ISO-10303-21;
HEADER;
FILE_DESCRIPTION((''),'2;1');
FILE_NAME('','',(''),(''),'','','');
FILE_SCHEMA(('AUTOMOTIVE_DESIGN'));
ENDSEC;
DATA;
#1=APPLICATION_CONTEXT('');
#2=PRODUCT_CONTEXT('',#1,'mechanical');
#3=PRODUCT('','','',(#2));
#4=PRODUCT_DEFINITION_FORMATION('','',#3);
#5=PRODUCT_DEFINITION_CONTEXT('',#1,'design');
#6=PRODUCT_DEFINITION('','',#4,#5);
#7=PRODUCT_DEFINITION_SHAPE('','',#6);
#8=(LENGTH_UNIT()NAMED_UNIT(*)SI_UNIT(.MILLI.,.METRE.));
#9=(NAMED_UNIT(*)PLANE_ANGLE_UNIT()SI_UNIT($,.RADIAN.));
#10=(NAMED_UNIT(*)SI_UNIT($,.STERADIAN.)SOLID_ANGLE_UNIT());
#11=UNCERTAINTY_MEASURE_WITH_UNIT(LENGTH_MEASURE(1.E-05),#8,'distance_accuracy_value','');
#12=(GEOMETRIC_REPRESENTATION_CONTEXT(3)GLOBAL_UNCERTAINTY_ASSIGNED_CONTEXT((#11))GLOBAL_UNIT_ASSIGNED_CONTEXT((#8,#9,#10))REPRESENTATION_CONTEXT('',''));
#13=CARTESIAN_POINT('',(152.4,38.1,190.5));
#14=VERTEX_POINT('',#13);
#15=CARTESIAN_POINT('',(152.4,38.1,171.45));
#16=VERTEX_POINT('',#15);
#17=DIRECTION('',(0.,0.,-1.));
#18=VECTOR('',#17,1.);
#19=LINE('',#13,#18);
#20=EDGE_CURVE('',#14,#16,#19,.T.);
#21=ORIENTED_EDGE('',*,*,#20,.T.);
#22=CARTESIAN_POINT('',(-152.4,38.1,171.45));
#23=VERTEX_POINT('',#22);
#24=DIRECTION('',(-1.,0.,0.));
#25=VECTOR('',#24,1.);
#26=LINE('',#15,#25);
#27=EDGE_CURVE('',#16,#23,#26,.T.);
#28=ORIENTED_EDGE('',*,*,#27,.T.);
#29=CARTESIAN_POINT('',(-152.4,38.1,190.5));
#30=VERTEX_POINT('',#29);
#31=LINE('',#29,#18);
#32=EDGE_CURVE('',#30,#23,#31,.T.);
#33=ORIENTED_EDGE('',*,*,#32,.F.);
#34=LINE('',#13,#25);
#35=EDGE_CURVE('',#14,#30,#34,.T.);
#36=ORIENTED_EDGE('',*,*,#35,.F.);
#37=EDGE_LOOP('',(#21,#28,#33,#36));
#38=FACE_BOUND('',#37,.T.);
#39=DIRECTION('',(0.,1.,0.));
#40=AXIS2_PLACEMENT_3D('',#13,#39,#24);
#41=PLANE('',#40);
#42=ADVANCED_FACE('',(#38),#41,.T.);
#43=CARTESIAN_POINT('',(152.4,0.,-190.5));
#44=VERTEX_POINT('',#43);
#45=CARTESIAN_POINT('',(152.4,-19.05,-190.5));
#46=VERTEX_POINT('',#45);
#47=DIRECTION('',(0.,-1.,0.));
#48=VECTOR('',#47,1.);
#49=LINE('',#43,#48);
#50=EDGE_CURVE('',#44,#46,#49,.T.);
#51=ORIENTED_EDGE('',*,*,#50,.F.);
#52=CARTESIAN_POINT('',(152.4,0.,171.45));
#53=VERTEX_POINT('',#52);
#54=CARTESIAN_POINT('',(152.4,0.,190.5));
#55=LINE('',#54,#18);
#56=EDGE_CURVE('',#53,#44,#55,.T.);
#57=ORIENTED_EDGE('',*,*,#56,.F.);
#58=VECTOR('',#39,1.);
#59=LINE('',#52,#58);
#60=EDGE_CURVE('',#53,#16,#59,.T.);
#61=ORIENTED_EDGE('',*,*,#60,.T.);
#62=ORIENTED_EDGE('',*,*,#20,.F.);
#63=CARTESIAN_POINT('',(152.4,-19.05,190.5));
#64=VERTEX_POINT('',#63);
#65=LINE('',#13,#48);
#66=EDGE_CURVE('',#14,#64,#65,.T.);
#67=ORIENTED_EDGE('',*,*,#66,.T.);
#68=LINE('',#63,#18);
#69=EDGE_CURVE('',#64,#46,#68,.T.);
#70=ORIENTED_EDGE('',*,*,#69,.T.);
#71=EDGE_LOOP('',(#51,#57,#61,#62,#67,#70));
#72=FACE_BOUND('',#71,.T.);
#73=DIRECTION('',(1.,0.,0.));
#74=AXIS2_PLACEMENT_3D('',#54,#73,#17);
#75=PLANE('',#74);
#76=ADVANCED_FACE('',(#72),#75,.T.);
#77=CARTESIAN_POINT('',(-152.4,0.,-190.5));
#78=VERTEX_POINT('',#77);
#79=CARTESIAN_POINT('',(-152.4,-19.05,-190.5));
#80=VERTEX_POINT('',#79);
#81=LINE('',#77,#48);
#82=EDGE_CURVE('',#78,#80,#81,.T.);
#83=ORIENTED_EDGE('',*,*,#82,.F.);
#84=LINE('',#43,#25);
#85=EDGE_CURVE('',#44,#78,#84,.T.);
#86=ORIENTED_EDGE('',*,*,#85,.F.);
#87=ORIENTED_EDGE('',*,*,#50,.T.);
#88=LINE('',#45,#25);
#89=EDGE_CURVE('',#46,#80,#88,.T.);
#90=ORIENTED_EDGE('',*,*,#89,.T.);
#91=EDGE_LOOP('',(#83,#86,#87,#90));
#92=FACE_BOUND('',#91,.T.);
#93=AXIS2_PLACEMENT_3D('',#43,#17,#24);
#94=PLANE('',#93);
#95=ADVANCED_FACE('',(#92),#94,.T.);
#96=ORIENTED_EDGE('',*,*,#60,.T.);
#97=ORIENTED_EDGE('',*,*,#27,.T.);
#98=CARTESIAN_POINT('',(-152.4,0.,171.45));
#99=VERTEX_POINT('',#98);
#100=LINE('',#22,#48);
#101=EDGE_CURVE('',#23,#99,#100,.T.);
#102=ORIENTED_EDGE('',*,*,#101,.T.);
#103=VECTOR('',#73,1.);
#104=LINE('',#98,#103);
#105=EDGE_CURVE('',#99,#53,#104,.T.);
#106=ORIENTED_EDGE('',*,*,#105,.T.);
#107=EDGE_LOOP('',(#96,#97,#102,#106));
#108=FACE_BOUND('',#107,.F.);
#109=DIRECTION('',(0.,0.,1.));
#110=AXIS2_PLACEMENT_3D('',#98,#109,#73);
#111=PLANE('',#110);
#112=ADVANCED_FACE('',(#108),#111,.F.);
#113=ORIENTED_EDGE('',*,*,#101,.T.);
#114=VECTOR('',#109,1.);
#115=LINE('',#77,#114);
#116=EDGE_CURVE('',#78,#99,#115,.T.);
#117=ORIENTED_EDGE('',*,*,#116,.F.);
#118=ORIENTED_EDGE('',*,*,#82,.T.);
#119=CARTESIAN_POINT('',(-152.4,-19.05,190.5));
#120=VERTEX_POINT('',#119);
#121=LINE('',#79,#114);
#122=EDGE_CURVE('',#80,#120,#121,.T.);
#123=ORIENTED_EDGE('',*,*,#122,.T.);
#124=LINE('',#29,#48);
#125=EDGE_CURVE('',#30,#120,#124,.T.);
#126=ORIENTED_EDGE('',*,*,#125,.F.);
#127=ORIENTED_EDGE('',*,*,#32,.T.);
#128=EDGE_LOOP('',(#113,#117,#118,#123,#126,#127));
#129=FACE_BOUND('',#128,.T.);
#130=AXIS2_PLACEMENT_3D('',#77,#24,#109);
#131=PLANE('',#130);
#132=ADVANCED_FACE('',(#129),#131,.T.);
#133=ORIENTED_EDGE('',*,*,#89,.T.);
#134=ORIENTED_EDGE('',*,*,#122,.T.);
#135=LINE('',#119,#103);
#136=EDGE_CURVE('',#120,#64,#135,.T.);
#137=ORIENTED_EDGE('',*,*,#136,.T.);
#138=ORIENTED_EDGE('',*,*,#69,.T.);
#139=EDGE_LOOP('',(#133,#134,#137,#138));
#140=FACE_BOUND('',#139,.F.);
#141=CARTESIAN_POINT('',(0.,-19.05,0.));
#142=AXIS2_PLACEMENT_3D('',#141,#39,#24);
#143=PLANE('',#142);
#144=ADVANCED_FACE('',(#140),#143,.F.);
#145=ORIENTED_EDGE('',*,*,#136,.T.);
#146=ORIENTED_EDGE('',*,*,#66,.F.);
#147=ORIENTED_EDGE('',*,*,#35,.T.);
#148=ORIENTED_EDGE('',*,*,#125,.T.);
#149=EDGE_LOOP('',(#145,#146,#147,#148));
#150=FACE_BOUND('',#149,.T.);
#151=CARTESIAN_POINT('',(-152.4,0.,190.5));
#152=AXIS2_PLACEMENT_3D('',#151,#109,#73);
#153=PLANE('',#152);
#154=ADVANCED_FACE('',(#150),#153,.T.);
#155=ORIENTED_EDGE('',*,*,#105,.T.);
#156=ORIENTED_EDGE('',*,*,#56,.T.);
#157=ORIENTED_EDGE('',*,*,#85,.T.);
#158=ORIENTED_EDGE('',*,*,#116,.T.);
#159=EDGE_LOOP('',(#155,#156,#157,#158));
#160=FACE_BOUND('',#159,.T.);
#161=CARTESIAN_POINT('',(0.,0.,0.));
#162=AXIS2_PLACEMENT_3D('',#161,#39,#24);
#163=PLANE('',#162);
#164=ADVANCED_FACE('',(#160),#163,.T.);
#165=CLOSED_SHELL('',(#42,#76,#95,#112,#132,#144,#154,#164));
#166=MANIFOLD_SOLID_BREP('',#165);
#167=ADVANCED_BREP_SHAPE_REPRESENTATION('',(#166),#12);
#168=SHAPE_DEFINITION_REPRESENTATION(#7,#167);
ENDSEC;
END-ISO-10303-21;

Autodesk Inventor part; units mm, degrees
ref_plane "YZ Plane" through (0, 0, 0) normal (1, 0, 0) x (0, 1, 0)
ref_plane "XZ Plane" through (0, 0, 0) normal (0, 1, 0) x (-1, 0, 0)
ref_plane "XY Plane" through (0, 0, 0) normal (0, 0, 1) x (1, 0, 0)
sketch "Sketch1" plane through (0, 0, 0) normal (0, 1, 0) x (-1, 0, 0)
  line L0 (-152.4, -190.5) -> (152.4, -190.5)
  line L1 (152.4, -190.5) -> (152.4, 190.5)
  line L2 (152.4, 190.5) -> (-152.4, 190.5)
  line L3 (-152.4, 190.5) -> (-152.4, -190.5)
  line L4 (-152.4, -190.5) -> (152.4, 190.5) construction
  line L5 (152.4, -190.5) -> (-152.4, 190.5) construction
  point P0 (0, 0)
  dimension "d0" = 381
  dimension "d1" = 304.8
extrude "Extrusion1" add sketch "Sketch1" against normal blind 19.05
sketch "Sketch2" plane through (-152.4, 0, 190.5) normal (0, 0, 1) x (1, 0, 0)
  line L0 (0, 0) -> (304.8, 0)
  line L1 (304.8, 0) -> (304.8, 38.1)
  line L2 (304.8, 38.1) -> (0, 38.1)
  line L3 (0, 38.1) -> (0, 0)
  line L4 (304.8, 0) -> (304.8, -19.05) projected
  line L5 (0, 0) -> (0, -19.05) projected
  line L6 (304.8, -19.05) -> (0, -19.05) projected
  point P0 (152.4, 0)
  point P1 (304.8, -9.525)
  point P2 (304.8, 19.05)
  dimension "d4" = 0
  dimension "d5" = 38.1
  dimension "d6" = 0
  dimension "d7" = 19.05
extrude "Extrusion2" add sketch "Sketch2" against normal blind 19.05 contours L3 L2 L1 L0
properties part number "drawer" material "Wood (Maple)"
